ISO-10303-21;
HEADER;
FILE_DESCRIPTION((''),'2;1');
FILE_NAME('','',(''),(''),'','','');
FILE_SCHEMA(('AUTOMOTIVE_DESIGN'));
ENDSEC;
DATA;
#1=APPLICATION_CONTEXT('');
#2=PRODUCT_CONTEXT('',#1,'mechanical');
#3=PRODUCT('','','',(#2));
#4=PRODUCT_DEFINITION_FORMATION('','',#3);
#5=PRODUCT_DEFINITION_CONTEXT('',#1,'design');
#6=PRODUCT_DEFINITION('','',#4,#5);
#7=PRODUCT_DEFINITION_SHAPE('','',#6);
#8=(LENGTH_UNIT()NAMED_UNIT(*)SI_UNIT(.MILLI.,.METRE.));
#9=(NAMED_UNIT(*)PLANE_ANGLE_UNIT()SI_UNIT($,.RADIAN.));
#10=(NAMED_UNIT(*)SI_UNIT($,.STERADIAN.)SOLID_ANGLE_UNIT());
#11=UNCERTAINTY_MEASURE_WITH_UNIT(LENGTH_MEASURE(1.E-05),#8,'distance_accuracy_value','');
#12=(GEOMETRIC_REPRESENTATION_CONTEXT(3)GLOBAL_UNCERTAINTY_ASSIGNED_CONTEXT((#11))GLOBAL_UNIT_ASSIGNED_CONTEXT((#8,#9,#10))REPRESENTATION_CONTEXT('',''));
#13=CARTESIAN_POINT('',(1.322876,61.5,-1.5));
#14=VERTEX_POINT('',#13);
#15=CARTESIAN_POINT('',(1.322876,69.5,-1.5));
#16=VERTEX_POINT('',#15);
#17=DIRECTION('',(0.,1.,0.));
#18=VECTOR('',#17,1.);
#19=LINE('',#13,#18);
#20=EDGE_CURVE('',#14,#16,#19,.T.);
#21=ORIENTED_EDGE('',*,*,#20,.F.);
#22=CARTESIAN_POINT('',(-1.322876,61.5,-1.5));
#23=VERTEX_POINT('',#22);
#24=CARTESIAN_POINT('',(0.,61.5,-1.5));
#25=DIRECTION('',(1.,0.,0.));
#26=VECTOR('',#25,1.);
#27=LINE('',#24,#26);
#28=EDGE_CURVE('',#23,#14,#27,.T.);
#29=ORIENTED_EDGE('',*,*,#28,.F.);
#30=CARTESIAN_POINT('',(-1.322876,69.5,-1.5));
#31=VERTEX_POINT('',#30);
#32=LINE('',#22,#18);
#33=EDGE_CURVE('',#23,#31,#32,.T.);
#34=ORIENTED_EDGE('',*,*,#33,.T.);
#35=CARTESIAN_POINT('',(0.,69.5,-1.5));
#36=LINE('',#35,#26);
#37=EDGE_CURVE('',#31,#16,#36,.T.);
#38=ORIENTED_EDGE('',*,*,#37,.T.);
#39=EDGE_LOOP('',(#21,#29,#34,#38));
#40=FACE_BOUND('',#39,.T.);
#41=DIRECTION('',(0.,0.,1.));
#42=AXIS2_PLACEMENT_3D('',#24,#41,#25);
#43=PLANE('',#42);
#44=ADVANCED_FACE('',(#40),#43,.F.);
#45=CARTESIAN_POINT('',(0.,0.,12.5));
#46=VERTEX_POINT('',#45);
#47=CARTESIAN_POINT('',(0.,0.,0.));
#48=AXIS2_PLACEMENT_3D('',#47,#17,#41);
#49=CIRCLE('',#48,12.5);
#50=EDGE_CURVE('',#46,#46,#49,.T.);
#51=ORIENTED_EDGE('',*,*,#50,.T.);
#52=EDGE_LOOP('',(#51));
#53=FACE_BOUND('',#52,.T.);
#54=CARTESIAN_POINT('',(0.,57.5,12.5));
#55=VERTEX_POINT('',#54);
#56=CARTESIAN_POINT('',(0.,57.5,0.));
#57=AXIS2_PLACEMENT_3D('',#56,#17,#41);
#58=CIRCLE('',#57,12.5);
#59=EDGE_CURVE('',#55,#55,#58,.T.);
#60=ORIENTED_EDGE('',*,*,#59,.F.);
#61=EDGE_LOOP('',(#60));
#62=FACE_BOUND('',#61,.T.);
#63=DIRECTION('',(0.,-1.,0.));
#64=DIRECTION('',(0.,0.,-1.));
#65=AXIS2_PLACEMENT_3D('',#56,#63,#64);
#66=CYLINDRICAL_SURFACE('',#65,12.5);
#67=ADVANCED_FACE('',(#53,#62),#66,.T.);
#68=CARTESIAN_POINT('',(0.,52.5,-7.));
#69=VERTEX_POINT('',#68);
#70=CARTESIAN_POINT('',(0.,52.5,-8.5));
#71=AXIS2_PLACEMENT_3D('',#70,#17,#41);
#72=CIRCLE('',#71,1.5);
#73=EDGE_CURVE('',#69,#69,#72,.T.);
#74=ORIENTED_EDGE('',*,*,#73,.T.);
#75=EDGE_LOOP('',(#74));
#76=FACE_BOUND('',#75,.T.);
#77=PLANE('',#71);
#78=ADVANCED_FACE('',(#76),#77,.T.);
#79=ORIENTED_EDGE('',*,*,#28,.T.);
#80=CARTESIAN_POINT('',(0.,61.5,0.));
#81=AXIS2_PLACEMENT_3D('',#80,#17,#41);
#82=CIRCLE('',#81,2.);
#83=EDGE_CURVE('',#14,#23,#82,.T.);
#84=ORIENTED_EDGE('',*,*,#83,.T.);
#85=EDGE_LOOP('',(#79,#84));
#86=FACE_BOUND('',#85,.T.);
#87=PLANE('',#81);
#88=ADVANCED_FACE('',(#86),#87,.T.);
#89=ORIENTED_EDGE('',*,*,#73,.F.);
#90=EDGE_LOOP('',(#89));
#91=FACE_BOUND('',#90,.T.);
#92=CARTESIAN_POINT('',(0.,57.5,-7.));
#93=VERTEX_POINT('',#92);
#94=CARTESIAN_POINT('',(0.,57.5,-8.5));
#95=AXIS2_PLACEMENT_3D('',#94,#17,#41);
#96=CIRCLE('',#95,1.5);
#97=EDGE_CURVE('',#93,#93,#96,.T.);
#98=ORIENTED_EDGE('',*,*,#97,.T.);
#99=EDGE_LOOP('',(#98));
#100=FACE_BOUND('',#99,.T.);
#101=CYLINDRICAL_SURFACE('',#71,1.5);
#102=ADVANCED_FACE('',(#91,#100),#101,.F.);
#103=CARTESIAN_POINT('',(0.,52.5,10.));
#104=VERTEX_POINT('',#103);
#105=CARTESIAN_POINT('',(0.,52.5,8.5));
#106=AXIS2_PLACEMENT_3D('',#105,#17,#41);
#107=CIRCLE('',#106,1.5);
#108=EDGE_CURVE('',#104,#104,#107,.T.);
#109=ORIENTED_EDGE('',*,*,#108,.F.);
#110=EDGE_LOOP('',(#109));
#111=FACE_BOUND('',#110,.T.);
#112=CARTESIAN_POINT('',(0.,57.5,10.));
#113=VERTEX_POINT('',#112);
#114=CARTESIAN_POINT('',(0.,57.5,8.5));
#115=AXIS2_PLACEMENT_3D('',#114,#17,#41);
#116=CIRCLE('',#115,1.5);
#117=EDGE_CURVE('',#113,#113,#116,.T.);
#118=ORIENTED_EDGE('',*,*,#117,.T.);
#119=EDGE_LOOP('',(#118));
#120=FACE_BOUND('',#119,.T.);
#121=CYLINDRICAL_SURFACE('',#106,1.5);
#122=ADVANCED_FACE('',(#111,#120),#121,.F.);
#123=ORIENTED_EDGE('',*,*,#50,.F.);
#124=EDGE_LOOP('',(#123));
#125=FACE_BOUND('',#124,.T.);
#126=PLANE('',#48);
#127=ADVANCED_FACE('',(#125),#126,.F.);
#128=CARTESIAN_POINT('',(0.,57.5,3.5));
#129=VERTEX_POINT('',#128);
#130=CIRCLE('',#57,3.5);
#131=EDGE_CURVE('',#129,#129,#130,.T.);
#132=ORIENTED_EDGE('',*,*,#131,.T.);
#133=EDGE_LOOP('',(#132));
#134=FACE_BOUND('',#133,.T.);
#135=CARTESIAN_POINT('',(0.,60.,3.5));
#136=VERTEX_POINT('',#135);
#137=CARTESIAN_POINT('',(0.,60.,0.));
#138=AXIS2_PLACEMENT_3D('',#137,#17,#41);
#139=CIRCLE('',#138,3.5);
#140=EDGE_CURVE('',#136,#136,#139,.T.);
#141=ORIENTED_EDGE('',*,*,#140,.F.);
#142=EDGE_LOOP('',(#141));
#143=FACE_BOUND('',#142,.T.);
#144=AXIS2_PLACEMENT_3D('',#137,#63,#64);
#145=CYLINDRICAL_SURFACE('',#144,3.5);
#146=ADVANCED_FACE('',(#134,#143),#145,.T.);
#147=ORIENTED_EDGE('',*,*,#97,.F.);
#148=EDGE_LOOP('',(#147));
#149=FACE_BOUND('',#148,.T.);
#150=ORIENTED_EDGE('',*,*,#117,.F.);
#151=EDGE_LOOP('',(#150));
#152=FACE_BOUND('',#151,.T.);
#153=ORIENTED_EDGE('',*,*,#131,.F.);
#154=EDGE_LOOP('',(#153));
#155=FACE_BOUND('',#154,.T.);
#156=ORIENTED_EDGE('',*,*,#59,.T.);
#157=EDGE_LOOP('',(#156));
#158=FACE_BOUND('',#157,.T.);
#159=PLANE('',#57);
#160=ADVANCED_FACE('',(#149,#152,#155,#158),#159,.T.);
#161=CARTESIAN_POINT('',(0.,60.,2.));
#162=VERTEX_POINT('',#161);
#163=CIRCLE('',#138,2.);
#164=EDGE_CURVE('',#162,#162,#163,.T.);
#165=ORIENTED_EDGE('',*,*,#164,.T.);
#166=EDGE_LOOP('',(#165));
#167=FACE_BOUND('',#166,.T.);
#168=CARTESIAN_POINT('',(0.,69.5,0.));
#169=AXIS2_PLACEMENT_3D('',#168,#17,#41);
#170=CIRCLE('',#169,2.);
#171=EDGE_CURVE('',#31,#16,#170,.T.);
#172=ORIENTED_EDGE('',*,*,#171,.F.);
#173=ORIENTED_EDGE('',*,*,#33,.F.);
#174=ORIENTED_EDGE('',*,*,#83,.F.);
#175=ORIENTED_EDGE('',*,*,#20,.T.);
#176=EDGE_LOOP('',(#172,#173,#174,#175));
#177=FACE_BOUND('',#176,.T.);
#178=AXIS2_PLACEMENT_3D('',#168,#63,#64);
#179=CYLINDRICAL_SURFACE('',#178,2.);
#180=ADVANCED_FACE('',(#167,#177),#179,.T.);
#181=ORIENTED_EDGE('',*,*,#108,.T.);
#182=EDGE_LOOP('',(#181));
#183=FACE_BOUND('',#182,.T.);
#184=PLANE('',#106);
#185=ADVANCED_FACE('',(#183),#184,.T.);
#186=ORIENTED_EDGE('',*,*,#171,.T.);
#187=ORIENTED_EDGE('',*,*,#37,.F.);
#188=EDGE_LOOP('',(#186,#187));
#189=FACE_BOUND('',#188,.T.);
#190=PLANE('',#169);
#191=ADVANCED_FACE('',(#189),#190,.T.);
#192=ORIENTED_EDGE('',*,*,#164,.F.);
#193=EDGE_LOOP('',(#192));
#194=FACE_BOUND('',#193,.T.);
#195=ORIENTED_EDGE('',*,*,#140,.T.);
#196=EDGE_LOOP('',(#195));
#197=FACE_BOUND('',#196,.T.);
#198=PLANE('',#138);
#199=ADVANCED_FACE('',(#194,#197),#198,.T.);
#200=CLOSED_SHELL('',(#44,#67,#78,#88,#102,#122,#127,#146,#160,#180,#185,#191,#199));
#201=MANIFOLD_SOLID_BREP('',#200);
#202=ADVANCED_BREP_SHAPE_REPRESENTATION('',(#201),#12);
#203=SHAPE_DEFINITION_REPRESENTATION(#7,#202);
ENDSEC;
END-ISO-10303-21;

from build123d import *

# Parameters (mm, degrees)
SKETCH_1_R          = 12.5
EXTRUDE_1_DEPTH     = 57.5
SKETCH_2_R          = 3.5
EXTRUDE_2_DEPTH     = 2.5
SKETCH_3_R          = 2
EXTRUDE_3_DEPTH     = 9.5
CUT_EXTRUDE_1_DEPTH = 8
SKETCH_5_R          = 1.5
CUT_EXTRUDE_2_DEPTH = 5


with BuildPart() as part:
    # 草图1 → 凸台-拉伸1 (new body)
    with BuildSketch(Plane(origin=(0, 0, 0), x_dir=(1, 0, 0), z_dir=(0, 1, 0))):
        with Locations(Location((0, 0, 0), (0, 0, 270))):
            Circle(SKETCH_1_R)
    extrude(amount=EXTRUDE_1_DEPTH)

    # 草图2 → 凸台-拉伸2 (add)
    with BuildSketch(Plane(origin=(0, 57.5, 0), x_dir=(1, 0, 0), z_dir=(0, 1, 0))):
        with Locations(Location((0, 0, 0), (0, 0, 270))):
            Circle(SKETCH_2_R)
    extrude(amount=EXTRUDE_2_DEPTH)

    # 草图3 → 凸台-拉伸3 (add)
    with BuildSketch(Plane(origin=(0, 60, 0), x_dir=(1, 0, 0), z_dir=(0, 1, 0))):
        with Locations(Location((0, 0, 0), (0, 0, 270))):
            Circle(SKETCH_3_R)
    extrude(amount=EXTRUDE_3_DEPTH)

    # 草图4 → 切除-拉伸1 (cut)
    with BuildSketch(Plane(origin=(0, 69.5, 0), x_dir=(1, 0, 0), z_dir=(0, 1, 0))):
        Polygon((-50.671161076, 1.5), (-1.322875656, 1.5), (1.322875656, 1.5), (50.671161076, 1.5), (50.671161076, 100.196570842), (-50.671161076, 100.196570842), align=None)
    extrude(amount=-CUT_EXTRUDE_1_DEPTH, mode=Mode.SUBTRACT)

    # 草图5 → 切除-拉伸2 (cut)
    with BuildSketch(Plane(origin=(0, 57.5, 0), x_dir=(1, 0, 0), z_dir=(0, 1, 0))):
        with Locations(Location((0, 8.5, 0), (0, 0, 270))):
            Circle(SKETCH_5_R)
        with Locations(Location((0, -8.5, 0), (0, 0, 270))):
            Circle(SKETCH_5_R)
    extrude(amount=-CUT_EXTRUDE_2_DEPTH, mode=Mode.SUBTRACT)


solid = part.part
